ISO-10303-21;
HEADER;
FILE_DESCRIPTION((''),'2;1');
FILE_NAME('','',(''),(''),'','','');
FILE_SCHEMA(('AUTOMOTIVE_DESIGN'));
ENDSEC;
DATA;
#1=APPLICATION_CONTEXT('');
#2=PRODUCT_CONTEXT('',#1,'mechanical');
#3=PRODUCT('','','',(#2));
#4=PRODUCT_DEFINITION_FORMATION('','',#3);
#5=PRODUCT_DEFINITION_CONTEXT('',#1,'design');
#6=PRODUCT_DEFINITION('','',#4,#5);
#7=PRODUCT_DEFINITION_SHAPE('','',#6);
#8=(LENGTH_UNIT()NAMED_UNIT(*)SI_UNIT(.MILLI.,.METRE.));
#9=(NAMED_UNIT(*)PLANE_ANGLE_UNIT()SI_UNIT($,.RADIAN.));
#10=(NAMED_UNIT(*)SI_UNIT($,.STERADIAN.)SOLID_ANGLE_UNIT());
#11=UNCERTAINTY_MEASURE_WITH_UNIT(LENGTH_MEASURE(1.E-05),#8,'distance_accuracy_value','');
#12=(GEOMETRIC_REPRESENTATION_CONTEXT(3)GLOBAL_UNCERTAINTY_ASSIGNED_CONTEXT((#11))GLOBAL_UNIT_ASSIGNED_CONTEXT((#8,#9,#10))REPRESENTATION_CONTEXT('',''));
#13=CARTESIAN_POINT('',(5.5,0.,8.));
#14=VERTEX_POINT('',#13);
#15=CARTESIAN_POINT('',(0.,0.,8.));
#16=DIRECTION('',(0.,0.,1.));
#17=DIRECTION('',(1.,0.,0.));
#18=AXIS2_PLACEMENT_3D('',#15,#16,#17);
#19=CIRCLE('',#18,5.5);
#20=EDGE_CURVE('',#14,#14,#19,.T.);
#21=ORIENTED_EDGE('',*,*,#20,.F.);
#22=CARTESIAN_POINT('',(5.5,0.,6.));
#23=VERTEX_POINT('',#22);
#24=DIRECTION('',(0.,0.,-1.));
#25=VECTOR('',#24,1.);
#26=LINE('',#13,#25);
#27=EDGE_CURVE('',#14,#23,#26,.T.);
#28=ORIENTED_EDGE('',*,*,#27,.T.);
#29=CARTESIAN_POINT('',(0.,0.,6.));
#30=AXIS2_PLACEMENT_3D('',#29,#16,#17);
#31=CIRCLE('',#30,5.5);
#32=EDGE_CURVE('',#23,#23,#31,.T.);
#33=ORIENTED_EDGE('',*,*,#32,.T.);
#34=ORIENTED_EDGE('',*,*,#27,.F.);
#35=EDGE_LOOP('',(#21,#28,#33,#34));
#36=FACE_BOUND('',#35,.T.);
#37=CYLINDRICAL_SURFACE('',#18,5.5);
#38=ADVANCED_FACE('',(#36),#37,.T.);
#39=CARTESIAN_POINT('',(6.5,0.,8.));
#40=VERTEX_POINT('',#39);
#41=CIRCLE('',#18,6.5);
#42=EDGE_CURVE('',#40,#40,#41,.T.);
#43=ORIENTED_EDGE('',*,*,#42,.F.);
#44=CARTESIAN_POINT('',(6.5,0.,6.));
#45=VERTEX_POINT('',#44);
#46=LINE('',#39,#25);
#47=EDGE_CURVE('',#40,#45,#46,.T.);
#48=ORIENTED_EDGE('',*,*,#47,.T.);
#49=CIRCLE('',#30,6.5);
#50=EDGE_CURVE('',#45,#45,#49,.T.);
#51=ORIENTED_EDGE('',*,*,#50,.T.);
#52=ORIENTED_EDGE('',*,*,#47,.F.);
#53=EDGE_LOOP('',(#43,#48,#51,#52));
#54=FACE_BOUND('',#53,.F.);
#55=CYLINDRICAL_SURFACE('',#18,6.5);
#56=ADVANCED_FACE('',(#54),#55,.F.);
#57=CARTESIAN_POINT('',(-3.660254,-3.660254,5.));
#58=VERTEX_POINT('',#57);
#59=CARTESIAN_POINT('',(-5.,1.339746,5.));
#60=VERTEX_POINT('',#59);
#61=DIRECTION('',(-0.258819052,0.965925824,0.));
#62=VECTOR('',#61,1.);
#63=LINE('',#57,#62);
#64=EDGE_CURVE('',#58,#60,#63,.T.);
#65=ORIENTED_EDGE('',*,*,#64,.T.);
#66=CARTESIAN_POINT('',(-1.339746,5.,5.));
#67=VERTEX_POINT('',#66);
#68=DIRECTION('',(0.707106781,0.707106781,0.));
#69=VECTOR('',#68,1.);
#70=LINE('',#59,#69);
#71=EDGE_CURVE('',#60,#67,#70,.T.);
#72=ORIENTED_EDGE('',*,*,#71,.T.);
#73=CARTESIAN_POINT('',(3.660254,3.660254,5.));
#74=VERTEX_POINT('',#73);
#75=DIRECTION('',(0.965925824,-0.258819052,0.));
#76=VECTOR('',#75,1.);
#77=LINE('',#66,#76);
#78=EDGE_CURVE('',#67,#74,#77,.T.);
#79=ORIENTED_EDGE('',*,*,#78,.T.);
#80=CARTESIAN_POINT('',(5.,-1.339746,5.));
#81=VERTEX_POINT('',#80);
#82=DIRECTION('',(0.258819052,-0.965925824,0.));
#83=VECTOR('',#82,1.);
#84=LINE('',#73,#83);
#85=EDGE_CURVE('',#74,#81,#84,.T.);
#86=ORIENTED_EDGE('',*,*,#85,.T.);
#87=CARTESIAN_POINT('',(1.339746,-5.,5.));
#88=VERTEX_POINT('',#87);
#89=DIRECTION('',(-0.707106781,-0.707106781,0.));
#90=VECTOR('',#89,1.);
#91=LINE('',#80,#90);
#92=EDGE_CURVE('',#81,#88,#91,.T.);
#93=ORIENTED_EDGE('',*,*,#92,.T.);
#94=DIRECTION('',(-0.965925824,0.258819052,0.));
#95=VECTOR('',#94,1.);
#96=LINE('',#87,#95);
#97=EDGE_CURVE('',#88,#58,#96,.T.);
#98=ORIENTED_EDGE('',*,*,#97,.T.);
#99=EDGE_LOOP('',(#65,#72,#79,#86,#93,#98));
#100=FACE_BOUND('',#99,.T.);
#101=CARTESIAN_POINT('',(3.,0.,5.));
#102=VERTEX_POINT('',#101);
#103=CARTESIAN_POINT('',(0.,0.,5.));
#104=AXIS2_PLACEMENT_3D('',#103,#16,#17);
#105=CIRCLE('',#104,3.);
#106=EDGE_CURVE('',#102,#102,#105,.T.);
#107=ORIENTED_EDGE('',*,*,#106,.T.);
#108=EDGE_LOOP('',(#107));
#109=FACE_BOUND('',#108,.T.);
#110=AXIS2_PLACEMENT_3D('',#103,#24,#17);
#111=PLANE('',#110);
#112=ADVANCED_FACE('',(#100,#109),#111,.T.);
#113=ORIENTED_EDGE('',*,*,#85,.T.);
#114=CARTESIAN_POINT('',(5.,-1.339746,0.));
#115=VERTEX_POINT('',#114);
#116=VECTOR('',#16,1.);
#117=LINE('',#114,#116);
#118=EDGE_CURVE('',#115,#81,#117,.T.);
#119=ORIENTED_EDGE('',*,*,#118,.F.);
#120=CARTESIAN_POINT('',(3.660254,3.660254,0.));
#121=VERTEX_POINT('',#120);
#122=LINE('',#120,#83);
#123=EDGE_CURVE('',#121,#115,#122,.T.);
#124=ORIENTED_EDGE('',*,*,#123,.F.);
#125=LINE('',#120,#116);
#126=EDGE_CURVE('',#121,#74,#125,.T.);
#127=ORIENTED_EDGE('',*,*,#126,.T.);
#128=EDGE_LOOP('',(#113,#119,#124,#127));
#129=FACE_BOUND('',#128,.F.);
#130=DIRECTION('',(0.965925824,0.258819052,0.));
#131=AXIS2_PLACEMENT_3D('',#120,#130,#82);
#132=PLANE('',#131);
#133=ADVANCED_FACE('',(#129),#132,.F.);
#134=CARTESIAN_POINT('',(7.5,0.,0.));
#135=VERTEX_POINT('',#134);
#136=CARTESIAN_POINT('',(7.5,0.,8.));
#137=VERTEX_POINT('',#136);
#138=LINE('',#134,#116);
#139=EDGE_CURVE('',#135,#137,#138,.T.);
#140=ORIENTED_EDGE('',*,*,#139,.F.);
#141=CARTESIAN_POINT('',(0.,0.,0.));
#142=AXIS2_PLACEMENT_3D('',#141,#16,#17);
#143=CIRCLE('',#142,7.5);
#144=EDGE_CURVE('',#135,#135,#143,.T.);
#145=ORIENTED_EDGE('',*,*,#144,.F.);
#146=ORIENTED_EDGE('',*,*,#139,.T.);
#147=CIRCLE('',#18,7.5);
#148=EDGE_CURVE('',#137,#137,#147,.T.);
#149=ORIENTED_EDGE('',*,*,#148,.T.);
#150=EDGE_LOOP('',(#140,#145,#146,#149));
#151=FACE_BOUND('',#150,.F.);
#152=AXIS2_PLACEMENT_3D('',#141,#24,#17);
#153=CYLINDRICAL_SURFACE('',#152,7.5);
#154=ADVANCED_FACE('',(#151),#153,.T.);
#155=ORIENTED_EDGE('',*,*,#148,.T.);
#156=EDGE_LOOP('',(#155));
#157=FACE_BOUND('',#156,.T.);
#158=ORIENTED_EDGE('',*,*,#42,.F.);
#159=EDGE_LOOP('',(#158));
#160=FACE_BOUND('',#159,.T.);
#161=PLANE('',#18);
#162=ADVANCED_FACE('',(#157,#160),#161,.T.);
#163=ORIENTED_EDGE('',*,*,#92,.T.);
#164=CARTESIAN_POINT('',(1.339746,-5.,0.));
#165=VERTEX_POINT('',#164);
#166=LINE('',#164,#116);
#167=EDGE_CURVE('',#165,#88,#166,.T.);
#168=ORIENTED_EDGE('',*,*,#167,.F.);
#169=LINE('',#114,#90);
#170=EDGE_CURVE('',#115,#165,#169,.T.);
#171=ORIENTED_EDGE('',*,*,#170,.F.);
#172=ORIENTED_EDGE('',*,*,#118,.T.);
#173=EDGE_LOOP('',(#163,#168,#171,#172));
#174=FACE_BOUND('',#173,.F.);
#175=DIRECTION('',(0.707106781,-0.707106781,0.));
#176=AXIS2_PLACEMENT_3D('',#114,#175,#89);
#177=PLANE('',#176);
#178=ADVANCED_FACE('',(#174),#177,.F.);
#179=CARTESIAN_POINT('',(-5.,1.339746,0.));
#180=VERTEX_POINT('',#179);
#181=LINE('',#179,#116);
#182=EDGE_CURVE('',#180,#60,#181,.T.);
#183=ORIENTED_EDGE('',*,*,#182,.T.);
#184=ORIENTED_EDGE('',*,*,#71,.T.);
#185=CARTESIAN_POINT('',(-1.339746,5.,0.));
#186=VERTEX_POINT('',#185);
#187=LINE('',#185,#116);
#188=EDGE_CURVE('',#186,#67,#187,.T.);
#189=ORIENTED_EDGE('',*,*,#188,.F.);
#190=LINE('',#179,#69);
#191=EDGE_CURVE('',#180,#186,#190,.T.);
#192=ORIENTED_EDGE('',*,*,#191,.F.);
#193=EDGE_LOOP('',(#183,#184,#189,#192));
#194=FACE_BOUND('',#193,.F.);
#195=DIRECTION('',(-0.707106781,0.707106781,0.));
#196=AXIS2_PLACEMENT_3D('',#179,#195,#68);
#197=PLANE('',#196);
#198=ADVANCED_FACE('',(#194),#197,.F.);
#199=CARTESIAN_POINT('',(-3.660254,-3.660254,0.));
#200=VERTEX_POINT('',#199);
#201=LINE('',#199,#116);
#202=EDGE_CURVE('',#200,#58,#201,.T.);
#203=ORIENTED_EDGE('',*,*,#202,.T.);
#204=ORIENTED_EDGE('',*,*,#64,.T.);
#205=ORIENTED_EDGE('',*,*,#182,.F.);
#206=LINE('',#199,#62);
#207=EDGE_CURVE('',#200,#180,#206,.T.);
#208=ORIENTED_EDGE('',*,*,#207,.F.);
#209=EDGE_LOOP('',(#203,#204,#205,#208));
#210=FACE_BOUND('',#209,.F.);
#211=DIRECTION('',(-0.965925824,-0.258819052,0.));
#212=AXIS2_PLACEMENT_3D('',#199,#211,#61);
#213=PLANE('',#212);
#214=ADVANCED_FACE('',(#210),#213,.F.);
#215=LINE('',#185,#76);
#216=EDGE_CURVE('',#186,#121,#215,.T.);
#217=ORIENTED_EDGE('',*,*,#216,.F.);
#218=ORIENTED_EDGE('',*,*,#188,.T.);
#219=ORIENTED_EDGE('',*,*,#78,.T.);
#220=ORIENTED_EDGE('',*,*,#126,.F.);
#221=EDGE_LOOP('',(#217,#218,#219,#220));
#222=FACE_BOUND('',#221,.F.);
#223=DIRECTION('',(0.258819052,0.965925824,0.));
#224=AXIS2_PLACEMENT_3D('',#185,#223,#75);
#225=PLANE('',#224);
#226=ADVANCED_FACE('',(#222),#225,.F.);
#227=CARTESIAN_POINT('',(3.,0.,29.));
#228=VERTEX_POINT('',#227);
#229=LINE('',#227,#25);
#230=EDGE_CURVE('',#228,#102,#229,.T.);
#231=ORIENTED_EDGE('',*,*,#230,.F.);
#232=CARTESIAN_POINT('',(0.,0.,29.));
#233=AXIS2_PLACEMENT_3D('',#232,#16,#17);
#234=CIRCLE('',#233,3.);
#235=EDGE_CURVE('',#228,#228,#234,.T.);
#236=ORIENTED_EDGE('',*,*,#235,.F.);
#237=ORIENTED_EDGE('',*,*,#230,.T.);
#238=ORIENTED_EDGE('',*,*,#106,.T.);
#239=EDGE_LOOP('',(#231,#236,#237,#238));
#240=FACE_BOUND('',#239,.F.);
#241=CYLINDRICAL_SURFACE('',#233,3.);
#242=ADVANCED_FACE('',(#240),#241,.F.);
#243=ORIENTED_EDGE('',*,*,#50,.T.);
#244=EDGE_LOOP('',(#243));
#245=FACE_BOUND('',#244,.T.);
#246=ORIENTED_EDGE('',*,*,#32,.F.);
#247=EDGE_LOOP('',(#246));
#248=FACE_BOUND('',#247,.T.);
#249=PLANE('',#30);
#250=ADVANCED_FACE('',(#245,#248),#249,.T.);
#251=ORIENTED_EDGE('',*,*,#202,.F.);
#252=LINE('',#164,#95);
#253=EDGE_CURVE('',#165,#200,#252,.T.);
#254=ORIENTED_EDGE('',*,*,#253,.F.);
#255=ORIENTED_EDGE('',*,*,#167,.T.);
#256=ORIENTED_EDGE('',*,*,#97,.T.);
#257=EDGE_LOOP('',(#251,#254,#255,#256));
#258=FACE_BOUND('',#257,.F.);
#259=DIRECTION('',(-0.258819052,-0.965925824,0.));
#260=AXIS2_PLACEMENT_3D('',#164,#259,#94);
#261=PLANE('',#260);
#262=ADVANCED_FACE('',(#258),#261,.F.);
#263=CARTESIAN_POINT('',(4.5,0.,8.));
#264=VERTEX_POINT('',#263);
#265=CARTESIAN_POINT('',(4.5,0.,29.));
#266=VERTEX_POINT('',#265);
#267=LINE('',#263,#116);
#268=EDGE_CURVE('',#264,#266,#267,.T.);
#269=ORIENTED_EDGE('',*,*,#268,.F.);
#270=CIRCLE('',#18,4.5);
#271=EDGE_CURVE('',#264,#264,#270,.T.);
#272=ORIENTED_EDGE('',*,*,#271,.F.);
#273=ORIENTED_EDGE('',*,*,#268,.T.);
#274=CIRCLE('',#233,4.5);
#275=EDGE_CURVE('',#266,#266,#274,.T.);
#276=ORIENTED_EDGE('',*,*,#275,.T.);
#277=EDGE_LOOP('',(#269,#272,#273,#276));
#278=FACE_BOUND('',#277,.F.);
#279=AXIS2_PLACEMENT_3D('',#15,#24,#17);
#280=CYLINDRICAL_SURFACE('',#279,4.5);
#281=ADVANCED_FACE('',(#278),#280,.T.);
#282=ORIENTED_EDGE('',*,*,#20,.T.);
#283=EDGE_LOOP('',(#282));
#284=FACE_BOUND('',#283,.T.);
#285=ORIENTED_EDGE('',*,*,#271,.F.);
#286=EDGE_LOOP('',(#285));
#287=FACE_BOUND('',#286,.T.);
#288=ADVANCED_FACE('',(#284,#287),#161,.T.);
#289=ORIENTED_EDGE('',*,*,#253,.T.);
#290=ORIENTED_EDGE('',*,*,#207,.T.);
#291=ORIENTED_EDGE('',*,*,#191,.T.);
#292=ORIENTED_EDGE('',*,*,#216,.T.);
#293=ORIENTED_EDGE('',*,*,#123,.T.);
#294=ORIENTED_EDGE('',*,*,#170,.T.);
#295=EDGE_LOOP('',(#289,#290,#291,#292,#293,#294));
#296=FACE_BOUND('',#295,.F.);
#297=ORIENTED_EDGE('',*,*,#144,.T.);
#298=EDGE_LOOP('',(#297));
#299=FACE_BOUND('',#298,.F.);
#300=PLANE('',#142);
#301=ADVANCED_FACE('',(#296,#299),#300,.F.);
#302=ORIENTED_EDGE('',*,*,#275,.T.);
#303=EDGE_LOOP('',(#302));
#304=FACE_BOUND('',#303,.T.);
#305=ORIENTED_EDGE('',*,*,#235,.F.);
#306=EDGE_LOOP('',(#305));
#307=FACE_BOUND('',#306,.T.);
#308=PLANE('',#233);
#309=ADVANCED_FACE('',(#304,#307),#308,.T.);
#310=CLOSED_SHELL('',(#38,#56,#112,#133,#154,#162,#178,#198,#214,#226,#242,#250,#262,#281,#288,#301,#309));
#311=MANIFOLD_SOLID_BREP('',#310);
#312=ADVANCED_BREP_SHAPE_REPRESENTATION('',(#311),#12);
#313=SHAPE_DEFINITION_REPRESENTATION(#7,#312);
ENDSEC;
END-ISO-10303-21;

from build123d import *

# Parameters (mm, degrees)
SKETCH_R        = 7.5
PAD_DEPTH       = 8
SKETCH001_R     = 4.5
PAD001_DEPTH    = 21
SKETCH002_R     = 6.5
SKETCH002_R_2   = 5.5
POCKET_DEPTH    = 2
SKETCH003_R     = 3
POCKET001_DEPTH = 25
POCKET002_DEPTH = 5


with BuildPart() as part:
    # Sketch → Pad (new body)
    with BuildSketch(Plane.XY):
        Circle(SKETCH_R)
    extrude(amount=PAD_DEPTH)

    # Sketch001 (on Face3 of Pad) → Pad001 (join)
    with BuildSketch(Plane.XY.offset(8)):
        Circle(SKETCH001_R)
    extrude(amount=PAD001_DEPTH)

    # Sketch002 (on Face3 of Pad001) → Pocket (cut)
    with BuildSketch(Plane.XY.offset(8)):
        Circle(SKETCH002_R)
        Circle(SKETCH002_R_2, mode=Mode.SUBTRACT)
    extrude(amount=-POCKET_DEPTH, mode=Mode.SUBTRACT)

    # Sketch003 (on Face9 of Pocket) → Pocket001 (cut)
    with BuildSketch(Plane.XY.offset(29)):
        Circle(SKETCH003_R)
    extrude(amount=-POCKET001_DEPTH, mode=Mode.SUBTRACT)

    # Sketch004 (on Face2 of Pocket001) → Pocket002 (cut)
    with BuildSketch(Plane(origin=(0, 0, 0), x_dir=(1, 0, 0), z_dir=(0, 0, -1))):
        Polygon((3.660254, -3.660254), (5, 1.339746), (1.339746, 5), (-3.660254, 3.660254), (-5, -1.339746), (-1.339746, -5), align=None)
    extrude(amount=-POCKET002_DEPTH, mode=Mode.SUBTRACT)


solid = part.part
